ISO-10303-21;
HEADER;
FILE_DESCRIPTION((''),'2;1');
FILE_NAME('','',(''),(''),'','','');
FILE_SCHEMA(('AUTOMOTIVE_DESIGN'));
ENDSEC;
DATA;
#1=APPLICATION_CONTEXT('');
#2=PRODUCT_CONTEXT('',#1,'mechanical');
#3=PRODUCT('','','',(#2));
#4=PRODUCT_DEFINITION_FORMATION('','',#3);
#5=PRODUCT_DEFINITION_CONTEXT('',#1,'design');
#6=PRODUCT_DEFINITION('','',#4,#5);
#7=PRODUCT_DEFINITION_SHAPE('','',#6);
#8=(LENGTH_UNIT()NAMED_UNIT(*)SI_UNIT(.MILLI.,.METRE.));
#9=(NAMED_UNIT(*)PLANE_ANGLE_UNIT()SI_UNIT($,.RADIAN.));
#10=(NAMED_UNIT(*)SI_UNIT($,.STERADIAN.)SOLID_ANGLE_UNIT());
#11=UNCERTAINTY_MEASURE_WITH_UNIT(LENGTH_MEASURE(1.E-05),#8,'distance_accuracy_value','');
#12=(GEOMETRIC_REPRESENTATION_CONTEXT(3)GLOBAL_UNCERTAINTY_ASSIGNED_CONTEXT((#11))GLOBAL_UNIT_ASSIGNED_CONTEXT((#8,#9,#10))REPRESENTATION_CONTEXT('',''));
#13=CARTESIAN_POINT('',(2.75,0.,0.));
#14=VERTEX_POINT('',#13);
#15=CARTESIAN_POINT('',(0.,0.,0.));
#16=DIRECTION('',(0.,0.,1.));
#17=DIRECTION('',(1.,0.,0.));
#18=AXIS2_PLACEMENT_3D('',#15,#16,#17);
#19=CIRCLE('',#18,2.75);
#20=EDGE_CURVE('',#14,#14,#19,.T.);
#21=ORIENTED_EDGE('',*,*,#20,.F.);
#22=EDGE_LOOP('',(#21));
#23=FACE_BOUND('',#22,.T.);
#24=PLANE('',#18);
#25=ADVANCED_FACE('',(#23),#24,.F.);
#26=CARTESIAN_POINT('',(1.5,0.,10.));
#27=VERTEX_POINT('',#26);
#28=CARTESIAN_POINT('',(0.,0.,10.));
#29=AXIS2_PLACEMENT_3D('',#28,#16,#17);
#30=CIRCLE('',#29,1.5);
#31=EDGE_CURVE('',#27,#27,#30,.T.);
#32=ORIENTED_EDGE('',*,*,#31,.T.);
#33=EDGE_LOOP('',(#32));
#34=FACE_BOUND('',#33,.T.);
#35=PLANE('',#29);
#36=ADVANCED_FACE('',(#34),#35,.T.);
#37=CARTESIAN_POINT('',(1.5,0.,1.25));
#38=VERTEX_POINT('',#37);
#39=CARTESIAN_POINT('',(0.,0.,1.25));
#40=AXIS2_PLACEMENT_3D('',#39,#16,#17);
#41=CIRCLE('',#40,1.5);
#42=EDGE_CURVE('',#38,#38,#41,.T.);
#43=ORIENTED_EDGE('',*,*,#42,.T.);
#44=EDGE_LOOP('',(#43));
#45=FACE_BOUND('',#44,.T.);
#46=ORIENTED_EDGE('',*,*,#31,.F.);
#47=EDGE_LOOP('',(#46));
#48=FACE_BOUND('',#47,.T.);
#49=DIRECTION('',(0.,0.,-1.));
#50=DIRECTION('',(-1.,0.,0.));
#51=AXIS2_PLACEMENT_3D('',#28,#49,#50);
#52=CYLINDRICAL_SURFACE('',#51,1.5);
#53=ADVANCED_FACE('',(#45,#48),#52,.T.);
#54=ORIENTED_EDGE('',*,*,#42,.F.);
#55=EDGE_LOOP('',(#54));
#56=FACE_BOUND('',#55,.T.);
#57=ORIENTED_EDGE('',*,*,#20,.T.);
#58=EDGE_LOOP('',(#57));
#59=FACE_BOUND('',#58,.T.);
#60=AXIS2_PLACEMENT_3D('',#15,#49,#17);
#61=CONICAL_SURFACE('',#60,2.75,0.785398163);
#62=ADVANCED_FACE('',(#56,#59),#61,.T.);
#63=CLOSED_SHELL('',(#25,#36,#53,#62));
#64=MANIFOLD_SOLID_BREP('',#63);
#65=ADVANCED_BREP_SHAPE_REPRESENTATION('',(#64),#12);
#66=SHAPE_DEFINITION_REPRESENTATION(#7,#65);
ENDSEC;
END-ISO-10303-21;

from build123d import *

# Parameters (mm, degrees)
M3_55MM_START    = 1.25
SKETCH_1_R       = 1.5
M3_55MM_DEPTH    = 8.75
SKETCH_2_R       = 2.75
M3_D5P5_90_DEPTH = 1.25
M3_D5P5_90_TAPER = 45


with BuildPart() as part:
    # 草图1 → M3简化螺杆_沉头总长55mm (new body)
    with BuildSketch(Plane.XY.offset(M3_55MM_START)):
        Circle(SKETCH_1_R)
    extrude(amount=M3_55MM_DEPTH)

    # 草图2 → M3沉头_D5p5_90度 (add)
    with BuildSketch(Plane.XY):
        Circle(SKETCH_2_R)
    extrude(amount=M3_D5P5_90_DEPTH, taper=M3_D5P5_90_TAPER)


solid = part.part
